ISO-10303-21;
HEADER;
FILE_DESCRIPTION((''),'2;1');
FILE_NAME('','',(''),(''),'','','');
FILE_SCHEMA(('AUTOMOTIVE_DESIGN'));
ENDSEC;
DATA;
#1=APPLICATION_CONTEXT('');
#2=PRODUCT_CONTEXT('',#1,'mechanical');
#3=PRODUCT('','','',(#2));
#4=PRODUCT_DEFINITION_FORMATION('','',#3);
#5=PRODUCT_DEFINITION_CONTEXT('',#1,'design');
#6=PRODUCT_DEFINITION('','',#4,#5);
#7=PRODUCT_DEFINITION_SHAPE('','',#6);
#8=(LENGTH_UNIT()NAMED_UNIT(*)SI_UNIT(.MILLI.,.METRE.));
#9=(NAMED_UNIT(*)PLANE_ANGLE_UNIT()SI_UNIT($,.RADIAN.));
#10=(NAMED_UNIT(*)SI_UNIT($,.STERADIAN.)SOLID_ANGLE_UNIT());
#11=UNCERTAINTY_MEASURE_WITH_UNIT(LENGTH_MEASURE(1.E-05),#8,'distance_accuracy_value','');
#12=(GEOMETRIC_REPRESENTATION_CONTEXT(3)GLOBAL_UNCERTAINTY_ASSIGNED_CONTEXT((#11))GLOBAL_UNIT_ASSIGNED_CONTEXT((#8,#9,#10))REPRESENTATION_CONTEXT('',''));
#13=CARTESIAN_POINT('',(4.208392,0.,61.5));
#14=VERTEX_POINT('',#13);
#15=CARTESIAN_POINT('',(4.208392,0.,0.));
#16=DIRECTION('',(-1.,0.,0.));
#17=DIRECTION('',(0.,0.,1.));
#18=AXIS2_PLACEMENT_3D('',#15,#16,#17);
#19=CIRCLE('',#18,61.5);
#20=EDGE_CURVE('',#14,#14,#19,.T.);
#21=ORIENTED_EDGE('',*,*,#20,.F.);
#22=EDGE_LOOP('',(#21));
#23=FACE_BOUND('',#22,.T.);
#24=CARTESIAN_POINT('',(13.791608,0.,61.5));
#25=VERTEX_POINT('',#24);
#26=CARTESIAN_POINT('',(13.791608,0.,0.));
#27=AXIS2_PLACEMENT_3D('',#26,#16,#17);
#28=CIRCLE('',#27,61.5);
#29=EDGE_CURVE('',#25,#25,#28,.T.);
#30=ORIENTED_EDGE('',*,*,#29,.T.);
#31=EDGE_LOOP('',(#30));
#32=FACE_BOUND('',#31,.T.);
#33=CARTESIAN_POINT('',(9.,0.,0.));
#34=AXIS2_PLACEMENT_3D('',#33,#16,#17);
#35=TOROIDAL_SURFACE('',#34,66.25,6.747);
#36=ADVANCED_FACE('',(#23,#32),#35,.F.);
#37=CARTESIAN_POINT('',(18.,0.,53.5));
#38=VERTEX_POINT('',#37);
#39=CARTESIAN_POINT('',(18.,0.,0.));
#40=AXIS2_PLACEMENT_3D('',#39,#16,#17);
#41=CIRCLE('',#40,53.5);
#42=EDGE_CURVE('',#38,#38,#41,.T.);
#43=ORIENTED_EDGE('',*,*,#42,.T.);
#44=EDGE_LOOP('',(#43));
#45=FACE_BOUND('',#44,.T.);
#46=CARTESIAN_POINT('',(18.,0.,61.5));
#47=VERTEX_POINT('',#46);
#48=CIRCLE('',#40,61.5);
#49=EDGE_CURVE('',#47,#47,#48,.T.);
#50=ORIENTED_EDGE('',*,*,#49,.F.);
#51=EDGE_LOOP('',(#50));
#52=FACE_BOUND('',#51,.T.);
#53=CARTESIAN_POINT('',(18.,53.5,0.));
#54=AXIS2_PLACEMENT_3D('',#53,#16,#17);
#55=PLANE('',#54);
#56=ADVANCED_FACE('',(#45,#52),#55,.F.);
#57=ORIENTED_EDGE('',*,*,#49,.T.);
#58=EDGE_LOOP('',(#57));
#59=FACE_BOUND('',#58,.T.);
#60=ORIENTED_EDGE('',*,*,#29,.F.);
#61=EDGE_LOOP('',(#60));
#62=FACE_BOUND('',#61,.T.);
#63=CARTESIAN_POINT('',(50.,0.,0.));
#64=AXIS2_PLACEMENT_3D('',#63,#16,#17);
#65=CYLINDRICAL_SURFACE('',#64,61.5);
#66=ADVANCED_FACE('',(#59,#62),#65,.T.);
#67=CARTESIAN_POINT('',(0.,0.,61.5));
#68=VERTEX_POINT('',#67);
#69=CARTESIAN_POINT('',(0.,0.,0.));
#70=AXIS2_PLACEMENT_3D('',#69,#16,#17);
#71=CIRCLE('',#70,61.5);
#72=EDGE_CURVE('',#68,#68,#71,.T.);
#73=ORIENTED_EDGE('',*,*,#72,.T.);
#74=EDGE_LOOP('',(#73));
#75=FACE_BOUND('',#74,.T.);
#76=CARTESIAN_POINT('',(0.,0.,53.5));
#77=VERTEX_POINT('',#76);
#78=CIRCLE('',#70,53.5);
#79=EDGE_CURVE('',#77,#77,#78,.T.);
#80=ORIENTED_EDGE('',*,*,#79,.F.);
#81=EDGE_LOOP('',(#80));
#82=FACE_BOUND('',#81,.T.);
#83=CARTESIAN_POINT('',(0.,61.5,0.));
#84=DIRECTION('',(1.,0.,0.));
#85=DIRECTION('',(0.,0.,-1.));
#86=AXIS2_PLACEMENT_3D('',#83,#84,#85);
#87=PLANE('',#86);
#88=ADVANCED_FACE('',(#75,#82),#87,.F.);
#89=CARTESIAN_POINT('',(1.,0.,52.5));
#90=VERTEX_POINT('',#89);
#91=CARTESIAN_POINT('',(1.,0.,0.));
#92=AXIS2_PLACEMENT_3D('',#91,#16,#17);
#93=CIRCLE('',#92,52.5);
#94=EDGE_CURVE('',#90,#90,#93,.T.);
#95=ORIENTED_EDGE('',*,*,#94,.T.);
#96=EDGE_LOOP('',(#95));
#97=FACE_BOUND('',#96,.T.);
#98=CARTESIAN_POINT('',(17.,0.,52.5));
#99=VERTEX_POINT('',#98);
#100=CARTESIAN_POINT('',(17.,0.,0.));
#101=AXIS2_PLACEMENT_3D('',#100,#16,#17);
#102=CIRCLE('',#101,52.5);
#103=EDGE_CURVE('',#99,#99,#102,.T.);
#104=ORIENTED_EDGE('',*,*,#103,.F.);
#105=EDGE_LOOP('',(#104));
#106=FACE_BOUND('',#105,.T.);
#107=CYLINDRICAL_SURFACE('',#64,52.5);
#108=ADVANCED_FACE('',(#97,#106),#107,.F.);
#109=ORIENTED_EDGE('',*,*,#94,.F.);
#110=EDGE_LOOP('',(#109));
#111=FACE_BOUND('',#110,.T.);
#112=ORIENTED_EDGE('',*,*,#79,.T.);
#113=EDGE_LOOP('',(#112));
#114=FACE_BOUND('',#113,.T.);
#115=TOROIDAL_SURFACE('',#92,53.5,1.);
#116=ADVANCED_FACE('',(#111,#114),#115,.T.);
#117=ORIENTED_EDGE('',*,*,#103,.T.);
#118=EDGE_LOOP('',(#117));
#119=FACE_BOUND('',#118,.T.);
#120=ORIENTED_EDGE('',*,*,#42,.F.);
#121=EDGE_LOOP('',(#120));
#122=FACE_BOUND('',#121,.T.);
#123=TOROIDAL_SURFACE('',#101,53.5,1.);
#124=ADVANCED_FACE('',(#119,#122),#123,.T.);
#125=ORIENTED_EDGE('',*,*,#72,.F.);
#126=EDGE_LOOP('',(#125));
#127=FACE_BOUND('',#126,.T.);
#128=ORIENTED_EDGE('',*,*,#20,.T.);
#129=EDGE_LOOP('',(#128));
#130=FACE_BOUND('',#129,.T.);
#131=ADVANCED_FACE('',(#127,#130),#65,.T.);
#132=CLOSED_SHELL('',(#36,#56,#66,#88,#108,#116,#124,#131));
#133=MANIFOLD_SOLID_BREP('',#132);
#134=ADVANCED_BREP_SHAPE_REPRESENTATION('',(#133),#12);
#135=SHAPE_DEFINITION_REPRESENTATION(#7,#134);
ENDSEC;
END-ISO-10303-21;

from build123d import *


with BuildPart() as part:
    # Schizzo1 → Rivoluzione1 (revolve)
    with BuildSketch(Plane.XY, mode=Mode.PRIVATE) as rivoluzione1_sk:
        with BuildLine():
            Line((1, 52.5), (17, 52.5))
            ThreePointArc((17, 52.5), (17.707106781, 52.792893219), (18, 53.5))
            Line((18, 53.5), (18, 61.5))
            Line((18, 61.5), (13.791608185, 61.5))
            ThreePointArc((13.791608185, 61.5), (9, 59.503), (4.208391815, 61.5))
            Line((4.208391815, 61.5), (0, 61.5))
            Line((0, 61.5), (0, 53.5))
            ThreePointArc((0, 53.5), (0.292893219, 52.792893219), (1, 52.5))
        make_face()
    revolve(rivoluzione1_sk.sketch.rotate(Axis((50, 0, 0), (-1, 0, 0)), 270), axis=Axis((50, 0, 0), (-1, 0, 0)))


solid = part.part
